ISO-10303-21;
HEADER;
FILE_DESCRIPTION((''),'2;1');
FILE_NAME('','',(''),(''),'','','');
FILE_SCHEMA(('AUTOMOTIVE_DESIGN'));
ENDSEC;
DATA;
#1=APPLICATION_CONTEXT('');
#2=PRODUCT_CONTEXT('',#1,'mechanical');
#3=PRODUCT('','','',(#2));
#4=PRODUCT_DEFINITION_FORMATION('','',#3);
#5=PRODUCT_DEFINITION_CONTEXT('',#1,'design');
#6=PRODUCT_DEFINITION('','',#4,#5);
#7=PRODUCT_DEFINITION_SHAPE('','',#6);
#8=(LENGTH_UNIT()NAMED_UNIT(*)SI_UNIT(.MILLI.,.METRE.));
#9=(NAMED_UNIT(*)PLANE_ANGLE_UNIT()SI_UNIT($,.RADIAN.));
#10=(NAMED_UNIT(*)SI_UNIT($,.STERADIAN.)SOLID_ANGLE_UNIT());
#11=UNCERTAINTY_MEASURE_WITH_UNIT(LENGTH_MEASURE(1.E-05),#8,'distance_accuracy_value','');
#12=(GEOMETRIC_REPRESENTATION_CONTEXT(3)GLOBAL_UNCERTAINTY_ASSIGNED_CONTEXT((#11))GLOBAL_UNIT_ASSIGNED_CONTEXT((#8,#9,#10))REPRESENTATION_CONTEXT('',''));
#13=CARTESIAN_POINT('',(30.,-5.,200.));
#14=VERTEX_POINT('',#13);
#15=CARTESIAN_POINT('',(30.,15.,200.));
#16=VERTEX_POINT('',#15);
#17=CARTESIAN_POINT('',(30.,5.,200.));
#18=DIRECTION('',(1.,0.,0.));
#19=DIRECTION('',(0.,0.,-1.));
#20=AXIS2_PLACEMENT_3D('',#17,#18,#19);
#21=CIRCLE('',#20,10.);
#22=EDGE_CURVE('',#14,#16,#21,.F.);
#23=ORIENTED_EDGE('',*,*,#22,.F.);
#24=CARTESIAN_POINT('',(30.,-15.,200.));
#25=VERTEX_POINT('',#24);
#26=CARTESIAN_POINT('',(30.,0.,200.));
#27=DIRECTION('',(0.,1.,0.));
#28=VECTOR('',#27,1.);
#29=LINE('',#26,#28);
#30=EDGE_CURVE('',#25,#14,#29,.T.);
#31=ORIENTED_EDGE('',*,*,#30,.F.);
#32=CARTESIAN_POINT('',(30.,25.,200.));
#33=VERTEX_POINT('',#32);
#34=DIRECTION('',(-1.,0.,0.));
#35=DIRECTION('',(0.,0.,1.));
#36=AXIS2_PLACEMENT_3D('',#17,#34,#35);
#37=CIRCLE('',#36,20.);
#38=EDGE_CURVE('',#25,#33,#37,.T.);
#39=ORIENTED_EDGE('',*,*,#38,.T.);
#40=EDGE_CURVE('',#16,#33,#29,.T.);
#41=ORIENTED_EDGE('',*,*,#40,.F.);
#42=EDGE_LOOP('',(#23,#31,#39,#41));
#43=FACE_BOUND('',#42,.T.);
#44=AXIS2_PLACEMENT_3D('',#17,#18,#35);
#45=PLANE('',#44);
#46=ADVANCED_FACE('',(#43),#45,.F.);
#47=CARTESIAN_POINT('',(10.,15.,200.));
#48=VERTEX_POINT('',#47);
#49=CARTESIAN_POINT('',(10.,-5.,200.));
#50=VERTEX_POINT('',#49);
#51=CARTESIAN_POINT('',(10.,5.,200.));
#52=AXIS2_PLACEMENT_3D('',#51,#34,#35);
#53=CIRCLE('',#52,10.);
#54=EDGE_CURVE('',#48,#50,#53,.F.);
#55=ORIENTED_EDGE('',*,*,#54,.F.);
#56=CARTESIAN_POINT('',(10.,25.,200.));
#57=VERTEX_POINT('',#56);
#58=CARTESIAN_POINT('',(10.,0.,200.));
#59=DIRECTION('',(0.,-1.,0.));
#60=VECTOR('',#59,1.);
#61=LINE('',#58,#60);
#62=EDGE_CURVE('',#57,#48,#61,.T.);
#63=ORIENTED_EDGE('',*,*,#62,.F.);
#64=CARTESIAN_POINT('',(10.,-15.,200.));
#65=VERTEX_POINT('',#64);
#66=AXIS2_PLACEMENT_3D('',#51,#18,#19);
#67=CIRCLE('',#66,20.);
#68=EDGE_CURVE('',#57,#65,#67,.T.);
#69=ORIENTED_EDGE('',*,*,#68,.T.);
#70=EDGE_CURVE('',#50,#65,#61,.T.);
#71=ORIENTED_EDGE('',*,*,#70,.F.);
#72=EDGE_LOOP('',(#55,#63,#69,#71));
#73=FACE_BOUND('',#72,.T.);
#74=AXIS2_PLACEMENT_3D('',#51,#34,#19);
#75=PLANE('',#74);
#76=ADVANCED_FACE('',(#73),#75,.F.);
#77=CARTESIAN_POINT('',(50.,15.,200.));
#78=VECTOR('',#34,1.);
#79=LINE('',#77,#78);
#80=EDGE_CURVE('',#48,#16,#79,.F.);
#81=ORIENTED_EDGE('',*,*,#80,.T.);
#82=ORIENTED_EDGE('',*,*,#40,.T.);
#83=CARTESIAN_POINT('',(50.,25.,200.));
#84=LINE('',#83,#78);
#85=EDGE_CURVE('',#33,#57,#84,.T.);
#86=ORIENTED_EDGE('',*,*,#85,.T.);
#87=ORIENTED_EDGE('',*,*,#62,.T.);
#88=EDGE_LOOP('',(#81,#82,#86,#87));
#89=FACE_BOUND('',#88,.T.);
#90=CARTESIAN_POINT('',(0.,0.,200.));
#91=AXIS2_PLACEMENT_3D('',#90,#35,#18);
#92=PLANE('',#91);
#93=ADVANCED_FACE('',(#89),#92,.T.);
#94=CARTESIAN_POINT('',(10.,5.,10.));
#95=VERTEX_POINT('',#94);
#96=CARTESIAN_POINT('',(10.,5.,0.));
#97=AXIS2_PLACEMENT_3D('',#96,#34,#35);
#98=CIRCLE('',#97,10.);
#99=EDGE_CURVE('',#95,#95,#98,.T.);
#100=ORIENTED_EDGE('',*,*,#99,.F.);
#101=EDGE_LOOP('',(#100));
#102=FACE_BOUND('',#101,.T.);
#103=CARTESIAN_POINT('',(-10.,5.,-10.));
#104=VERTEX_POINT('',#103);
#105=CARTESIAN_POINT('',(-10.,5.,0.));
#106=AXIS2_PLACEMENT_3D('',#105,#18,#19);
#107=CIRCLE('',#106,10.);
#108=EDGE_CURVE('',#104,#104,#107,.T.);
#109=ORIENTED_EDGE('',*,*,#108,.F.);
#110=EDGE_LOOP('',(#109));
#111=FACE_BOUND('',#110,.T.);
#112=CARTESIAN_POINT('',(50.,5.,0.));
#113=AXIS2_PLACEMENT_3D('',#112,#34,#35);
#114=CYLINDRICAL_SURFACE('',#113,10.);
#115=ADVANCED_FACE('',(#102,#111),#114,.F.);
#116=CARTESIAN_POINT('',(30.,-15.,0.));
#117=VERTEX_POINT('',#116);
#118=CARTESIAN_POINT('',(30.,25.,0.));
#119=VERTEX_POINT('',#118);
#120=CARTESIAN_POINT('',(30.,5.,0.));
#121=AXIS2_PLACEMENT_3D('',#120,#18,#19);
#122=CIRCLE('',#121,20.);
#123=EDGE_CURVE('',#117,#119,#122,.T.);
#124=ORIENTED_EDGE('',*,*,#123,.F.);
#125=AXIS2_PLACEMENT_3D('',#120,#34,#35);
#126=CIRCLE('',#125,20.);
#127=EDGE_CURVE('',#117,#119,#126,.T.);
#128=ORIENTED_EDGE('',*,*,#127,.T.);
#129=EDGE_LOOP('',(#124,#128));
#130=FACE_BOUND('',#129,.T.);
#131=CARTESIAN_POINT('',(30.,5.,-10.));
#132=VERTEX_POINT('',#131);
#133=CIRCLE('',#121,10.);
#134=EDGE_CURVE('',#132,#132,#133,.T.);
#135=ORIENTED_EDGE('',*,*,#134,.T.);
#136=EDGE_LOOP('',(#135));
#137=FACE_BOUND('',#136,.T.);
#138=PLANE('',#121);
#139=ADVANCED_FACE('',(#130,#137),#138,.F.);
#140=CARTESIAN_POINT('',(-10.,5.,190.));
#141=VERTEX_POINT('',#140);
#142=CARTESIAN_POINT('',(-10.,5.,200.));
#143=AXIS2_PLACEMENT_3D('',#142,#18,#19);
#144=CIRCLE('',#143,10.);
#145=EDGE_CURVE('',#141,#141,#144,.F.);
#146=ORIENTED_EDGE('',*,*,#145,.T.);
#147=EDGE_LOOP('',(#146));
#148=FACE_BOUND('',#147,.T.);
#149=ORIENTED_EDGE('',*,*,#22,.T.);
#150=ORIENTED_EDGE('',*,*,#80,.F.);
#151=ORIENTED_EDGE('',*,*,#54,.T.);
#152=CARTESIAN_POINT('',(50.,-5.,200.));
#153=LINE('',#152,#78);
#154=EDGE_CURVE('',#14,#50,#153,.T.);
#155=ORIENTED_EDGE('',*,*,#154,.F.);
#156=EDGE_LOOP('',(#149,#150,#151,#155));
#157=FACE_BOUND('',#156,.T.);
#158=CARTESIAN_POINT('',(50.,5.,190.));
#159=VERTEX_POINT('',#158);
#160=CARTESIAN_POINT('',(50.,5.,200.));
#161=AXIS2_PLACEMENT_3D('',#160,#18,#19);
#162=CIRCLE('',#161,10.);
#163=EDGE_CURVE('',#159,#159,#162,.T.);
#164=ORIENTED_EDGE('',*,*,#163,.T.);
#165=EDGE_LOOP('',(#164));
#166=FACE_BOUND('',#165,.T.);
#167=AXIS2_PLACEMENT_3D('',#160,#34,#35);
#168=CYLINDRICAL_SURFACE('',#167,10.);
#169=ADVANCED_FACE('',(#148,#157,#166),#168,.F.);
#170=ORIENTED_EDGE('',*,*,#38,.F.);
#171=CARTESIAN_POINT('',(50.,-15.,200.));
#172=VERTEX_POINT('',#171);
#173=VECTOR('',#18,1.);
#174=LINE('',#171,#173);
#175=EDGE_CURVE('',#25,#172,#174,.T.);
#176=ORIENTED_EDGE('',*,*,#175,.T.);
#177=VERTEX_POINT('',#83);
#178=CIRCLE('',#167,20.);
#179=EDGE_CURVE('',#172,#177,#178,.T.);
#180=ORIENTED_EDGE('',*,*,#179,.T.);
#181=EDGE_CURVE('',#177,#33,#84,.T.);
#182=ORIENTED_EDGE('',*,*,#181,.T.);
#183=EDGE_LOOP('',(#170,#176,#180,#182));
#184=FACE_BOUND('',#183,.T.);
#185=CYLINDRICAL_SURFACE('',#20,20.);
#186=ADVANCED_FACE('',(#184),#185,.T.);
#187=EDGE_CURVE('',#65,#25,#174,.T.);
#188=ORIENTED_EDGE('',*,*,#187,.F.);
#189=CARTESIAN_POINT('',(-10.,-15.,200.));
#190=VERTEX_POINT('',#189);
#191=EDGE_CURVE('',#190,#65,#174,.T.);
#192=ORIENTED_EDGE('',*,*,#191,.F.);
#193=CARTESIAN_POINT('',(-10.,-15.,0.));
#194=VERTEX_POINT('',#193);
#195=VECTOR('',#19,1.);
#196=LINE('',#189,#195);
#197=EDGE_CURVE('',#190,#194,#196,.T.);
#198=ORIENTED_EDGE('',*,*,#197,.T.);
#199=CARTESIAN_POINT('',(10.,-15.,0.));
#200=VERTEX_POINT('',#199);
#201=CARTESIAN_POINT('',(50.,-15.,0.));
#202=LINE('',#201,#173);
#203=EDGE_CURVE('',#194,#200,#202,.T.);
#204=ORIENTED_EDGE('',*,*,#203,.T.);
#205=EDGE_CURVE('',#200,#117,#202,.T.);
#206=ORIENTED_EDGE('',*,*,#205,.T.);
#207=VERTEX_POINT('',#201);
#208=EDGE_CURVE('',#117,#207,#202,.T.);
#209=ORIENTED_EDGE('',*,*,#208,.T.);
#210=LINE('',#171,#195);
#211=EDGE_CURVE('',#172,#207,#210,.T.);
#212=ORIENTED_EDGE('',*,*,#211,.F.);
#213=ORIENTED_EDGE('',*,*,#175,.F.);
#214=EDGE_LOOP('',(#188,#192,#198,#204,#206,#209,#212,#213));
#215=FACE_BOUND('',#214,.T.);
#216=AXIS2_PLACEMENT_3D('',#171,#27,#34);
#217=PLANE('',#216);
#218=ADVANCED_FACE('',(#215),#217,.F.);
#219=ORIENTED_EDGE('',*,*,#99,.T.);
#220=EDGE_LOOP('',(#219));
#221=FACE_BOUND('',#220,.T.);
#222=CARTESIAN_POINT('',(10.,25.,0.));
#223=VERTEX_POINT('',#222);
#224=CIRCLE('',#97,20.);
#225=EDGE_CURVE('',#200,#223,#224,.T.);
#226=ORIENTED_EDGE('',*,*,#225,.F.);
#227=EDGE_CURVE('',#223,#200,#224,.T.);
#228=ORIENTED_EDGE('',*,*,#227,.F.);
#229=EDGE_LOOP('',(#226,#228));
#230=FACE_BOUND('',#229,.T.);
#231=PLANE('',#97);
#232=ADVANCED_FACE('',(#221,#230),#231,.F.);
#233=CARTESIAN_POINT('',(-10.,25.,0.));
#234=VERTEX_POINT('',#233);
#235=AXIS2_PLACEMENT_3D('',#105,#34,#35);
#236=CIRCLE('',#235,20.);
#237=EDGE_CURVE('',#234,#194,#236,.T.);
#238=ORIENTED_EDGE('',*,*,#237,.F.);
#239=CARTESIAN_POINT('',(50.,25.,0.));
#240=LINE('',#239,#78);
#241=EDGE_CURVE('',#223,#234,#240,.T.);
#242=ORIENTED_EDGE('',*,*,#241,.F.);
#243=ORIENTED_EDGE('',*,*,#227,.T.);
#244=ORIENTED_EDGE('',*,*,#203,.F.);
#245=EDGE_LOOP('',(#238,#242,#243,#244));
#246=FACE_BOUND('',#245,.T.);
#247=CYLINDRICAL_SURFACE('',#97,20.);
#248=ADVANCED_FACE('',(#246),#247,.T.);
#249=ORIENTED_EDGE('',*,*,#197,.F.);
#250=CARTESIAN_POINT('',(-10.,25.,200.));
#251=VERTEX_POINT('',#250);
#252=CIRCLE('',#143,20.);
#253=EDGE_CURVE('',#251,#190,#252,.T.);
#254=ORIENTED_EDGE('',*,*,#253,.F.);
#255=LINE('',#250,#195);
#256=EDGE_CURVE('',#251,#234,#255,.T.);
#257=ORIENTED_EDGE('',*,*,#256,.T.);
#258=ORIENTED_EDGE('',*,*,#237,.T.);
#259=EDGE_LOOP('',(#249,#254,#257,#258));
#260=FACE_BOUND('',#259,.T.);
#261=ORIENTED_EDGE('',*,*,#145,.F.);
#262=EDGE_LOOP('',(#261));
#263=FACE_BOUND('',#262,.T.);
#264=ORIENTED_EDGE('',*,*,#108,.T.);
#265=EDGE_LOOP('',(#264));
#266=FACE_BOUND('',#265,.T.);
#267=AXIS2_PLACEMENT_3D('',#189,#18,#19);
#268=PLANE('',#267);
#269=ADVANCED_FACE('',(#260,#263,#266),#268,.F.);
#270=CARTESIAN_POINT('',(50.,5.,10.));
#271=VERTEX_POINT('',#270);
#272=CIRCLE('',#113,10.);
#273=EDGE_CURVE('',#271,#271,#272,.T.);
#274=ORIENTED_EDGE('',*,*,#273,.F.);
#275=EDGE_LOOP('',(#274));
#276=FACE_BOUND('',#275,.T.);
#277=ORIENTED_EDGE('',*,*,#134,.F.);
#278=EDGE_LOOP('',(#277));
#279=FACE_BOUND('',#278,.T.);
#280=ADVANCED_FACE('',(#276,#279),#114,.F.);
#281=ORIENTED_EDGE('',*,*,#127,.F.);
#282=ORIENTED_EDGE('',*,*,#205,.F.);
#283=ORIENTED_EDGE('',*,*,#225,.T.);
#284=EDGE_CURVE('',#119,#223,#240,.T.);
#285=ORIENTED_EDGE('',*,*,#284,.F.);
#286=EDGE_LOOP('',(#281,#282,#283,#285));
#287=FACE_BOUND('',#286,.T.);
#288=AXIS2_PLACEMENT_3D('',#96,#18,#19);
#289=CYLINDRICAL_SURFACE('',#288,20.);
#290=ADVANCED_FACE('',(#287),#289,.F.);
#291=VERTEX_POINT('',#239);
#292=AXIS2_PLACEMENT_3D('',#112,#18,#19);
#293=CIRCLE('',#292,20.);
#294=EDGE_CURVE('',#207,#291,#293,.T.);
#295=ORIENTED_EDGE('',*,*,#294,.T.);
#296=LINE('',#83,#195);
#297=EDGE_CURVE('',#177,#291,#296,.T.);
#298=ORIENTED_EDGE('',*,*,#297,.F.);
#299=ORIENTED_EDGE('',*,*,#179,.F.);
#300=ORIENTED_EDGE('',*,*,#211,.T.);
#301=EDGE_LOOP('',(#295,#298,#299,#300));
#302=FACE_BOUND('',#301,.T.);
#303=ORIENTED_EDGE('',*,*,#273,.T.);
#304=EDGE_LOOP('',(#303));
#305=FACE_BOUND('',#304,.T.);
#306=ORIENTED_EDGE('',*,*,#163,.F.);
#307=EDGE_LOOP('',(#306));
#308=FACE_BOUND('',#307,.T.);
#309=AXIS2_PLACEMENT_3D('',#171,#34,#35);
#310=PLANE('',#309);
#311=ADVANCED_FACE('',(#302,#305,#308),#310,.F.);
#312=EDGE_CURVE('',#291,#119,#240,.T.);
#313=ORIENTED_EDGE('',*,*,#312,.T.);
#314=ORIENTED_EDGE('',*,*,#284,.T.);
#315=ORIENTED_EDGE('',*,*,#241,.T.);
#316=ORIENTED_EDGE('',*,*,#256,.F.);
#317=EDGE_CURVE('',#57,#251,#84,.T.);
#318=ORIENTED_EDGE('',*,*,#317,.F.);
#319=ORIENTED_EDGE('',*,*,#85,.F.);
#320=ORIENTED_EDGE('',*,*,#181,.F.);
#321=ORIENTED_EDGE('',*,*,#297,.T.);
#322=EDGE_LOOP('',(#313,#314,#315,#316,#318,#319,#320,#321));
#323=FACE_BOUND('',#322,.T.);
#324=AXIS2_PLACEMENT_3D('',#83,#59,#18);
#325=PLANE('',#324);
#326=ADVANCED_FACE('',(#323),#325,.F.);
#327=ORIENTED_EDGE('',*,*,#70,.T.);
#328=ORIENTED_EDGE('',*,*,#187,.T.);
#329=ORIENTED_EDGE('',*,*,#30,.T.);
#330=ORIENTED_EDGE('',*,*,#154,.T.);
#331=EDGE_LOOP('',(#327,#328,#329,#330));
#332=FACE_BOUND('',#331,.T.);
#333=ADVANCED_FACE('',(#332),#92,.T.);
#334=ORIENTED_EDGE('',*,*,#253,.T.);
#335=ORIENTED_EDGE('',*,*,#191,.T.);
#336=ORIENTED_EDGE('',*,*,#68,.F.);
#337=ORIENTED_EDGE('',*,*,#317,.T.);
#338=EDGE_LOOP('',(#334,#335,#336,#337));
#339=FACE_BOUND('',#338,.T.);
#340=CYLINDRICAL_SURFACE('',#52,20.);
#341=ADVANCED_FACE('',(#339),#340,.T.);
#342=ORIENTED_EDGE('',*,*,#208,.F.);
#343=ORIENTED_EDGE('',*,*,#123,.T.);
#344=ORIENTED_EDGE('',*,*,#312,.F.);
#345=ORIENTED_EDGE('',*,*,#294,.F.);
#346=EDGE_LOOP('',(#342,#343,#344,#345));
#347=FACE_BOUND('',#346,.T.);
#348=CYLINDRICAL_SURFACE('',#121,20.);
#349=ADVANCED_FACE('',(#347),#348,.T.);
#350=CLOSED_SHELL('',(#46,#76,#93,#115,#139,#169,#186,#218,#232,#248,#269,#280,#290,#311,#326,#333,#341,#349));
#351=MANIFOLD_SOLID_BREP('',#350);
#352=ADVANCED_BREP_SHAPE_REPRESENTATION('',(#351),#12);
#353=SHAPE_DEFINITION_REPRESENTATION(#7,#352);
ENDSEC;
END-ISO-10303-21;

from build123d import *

# Parameters (mm, degrees)
SKETCH_1_W          = 60
SKETCH_1_H          = 40
EXTRUDE_1_DEPTH     = 200
SKETCH_6_R          = 20
EXTRUDE_2_DEPTH     = 20
EXTRUDE_START       = -20
SKETCH_7_R          = 20
EXTRUDE_3_DEPTH     = 20
SKETCH_8_R          = 10
CUT_EXTRUDE_1_DEPTH = 211.297408448
SKETCH_9_R          = 20
CUT_EXTRUDE_2_DEPTH = 20


with BuildPart() as part:
    # 스케치1 → 보스-돌출1 (new body)
    with BuildSketch(Plane.XY):
        with Locations((20, 5)):
            Rectangle(SKETCH_1_W, SKETCH_1_H)
    extrude(amount=EXTRUDE_1_DEPTH)

    # 스케치6 → 보스-돌출2 (add)
    with BuildSketch(Plane(origin=(50, 0, 0), x_dir=(0, 0, -1), z_dir=(1, 0, 0))):
        with Locations((0, 5)):
            Circle(SKETCH_6_R)
    extrude_2 = extrude(amount=-EXTRUDE_2_DEPTH)

    # 스케치7 → 보스-돌출3 (add)
    with BuildSketch(Plane.ZY.offset(10).offset(EXTRUDE_START)):
        with Locations((0, 5)):
            Circle(SKETCH_7_R)
    extrude_3 = extrude(amount=EXTRUDE_3_DEPTH)

    # 스케치8 → 컷-돌출1 (cut, symmetric)
    with BuildSketch(Plane.ZY.offset(10)):
        with Locations((0, 5)):
            Circle(SKETCH_8_R)
    cut_extrude_1 = extrude(amount=CUT_EXTRUDE_1_DEPTH, both=True, mode=Mode.SUBTRACT)

    # 대칭 복사1: 보스-돌출2, 보스-돌출3, 컷-돌출1 across plane
    add(extrude_2.mirror(Plane.XY.offset(100)))
    add(extrude_3.mirror(Plane.XY.offset(100)))
    add(cut_extrude_1.mirror(Plane.XY.offset(100)), mode=Mode.SUBTRACT)

    # 스케치9 → 컷-돌출2 (cut)
    with BuildSketch(Plane.ZY.offset(-30)):
        with Locations((0, 5)):
            Circle(SKETCH_9_R)
    extrude(amount=CUT_EXTRUDE_2_DEPTH, mode=Mode.SUBTRACT)


solid = part.part
